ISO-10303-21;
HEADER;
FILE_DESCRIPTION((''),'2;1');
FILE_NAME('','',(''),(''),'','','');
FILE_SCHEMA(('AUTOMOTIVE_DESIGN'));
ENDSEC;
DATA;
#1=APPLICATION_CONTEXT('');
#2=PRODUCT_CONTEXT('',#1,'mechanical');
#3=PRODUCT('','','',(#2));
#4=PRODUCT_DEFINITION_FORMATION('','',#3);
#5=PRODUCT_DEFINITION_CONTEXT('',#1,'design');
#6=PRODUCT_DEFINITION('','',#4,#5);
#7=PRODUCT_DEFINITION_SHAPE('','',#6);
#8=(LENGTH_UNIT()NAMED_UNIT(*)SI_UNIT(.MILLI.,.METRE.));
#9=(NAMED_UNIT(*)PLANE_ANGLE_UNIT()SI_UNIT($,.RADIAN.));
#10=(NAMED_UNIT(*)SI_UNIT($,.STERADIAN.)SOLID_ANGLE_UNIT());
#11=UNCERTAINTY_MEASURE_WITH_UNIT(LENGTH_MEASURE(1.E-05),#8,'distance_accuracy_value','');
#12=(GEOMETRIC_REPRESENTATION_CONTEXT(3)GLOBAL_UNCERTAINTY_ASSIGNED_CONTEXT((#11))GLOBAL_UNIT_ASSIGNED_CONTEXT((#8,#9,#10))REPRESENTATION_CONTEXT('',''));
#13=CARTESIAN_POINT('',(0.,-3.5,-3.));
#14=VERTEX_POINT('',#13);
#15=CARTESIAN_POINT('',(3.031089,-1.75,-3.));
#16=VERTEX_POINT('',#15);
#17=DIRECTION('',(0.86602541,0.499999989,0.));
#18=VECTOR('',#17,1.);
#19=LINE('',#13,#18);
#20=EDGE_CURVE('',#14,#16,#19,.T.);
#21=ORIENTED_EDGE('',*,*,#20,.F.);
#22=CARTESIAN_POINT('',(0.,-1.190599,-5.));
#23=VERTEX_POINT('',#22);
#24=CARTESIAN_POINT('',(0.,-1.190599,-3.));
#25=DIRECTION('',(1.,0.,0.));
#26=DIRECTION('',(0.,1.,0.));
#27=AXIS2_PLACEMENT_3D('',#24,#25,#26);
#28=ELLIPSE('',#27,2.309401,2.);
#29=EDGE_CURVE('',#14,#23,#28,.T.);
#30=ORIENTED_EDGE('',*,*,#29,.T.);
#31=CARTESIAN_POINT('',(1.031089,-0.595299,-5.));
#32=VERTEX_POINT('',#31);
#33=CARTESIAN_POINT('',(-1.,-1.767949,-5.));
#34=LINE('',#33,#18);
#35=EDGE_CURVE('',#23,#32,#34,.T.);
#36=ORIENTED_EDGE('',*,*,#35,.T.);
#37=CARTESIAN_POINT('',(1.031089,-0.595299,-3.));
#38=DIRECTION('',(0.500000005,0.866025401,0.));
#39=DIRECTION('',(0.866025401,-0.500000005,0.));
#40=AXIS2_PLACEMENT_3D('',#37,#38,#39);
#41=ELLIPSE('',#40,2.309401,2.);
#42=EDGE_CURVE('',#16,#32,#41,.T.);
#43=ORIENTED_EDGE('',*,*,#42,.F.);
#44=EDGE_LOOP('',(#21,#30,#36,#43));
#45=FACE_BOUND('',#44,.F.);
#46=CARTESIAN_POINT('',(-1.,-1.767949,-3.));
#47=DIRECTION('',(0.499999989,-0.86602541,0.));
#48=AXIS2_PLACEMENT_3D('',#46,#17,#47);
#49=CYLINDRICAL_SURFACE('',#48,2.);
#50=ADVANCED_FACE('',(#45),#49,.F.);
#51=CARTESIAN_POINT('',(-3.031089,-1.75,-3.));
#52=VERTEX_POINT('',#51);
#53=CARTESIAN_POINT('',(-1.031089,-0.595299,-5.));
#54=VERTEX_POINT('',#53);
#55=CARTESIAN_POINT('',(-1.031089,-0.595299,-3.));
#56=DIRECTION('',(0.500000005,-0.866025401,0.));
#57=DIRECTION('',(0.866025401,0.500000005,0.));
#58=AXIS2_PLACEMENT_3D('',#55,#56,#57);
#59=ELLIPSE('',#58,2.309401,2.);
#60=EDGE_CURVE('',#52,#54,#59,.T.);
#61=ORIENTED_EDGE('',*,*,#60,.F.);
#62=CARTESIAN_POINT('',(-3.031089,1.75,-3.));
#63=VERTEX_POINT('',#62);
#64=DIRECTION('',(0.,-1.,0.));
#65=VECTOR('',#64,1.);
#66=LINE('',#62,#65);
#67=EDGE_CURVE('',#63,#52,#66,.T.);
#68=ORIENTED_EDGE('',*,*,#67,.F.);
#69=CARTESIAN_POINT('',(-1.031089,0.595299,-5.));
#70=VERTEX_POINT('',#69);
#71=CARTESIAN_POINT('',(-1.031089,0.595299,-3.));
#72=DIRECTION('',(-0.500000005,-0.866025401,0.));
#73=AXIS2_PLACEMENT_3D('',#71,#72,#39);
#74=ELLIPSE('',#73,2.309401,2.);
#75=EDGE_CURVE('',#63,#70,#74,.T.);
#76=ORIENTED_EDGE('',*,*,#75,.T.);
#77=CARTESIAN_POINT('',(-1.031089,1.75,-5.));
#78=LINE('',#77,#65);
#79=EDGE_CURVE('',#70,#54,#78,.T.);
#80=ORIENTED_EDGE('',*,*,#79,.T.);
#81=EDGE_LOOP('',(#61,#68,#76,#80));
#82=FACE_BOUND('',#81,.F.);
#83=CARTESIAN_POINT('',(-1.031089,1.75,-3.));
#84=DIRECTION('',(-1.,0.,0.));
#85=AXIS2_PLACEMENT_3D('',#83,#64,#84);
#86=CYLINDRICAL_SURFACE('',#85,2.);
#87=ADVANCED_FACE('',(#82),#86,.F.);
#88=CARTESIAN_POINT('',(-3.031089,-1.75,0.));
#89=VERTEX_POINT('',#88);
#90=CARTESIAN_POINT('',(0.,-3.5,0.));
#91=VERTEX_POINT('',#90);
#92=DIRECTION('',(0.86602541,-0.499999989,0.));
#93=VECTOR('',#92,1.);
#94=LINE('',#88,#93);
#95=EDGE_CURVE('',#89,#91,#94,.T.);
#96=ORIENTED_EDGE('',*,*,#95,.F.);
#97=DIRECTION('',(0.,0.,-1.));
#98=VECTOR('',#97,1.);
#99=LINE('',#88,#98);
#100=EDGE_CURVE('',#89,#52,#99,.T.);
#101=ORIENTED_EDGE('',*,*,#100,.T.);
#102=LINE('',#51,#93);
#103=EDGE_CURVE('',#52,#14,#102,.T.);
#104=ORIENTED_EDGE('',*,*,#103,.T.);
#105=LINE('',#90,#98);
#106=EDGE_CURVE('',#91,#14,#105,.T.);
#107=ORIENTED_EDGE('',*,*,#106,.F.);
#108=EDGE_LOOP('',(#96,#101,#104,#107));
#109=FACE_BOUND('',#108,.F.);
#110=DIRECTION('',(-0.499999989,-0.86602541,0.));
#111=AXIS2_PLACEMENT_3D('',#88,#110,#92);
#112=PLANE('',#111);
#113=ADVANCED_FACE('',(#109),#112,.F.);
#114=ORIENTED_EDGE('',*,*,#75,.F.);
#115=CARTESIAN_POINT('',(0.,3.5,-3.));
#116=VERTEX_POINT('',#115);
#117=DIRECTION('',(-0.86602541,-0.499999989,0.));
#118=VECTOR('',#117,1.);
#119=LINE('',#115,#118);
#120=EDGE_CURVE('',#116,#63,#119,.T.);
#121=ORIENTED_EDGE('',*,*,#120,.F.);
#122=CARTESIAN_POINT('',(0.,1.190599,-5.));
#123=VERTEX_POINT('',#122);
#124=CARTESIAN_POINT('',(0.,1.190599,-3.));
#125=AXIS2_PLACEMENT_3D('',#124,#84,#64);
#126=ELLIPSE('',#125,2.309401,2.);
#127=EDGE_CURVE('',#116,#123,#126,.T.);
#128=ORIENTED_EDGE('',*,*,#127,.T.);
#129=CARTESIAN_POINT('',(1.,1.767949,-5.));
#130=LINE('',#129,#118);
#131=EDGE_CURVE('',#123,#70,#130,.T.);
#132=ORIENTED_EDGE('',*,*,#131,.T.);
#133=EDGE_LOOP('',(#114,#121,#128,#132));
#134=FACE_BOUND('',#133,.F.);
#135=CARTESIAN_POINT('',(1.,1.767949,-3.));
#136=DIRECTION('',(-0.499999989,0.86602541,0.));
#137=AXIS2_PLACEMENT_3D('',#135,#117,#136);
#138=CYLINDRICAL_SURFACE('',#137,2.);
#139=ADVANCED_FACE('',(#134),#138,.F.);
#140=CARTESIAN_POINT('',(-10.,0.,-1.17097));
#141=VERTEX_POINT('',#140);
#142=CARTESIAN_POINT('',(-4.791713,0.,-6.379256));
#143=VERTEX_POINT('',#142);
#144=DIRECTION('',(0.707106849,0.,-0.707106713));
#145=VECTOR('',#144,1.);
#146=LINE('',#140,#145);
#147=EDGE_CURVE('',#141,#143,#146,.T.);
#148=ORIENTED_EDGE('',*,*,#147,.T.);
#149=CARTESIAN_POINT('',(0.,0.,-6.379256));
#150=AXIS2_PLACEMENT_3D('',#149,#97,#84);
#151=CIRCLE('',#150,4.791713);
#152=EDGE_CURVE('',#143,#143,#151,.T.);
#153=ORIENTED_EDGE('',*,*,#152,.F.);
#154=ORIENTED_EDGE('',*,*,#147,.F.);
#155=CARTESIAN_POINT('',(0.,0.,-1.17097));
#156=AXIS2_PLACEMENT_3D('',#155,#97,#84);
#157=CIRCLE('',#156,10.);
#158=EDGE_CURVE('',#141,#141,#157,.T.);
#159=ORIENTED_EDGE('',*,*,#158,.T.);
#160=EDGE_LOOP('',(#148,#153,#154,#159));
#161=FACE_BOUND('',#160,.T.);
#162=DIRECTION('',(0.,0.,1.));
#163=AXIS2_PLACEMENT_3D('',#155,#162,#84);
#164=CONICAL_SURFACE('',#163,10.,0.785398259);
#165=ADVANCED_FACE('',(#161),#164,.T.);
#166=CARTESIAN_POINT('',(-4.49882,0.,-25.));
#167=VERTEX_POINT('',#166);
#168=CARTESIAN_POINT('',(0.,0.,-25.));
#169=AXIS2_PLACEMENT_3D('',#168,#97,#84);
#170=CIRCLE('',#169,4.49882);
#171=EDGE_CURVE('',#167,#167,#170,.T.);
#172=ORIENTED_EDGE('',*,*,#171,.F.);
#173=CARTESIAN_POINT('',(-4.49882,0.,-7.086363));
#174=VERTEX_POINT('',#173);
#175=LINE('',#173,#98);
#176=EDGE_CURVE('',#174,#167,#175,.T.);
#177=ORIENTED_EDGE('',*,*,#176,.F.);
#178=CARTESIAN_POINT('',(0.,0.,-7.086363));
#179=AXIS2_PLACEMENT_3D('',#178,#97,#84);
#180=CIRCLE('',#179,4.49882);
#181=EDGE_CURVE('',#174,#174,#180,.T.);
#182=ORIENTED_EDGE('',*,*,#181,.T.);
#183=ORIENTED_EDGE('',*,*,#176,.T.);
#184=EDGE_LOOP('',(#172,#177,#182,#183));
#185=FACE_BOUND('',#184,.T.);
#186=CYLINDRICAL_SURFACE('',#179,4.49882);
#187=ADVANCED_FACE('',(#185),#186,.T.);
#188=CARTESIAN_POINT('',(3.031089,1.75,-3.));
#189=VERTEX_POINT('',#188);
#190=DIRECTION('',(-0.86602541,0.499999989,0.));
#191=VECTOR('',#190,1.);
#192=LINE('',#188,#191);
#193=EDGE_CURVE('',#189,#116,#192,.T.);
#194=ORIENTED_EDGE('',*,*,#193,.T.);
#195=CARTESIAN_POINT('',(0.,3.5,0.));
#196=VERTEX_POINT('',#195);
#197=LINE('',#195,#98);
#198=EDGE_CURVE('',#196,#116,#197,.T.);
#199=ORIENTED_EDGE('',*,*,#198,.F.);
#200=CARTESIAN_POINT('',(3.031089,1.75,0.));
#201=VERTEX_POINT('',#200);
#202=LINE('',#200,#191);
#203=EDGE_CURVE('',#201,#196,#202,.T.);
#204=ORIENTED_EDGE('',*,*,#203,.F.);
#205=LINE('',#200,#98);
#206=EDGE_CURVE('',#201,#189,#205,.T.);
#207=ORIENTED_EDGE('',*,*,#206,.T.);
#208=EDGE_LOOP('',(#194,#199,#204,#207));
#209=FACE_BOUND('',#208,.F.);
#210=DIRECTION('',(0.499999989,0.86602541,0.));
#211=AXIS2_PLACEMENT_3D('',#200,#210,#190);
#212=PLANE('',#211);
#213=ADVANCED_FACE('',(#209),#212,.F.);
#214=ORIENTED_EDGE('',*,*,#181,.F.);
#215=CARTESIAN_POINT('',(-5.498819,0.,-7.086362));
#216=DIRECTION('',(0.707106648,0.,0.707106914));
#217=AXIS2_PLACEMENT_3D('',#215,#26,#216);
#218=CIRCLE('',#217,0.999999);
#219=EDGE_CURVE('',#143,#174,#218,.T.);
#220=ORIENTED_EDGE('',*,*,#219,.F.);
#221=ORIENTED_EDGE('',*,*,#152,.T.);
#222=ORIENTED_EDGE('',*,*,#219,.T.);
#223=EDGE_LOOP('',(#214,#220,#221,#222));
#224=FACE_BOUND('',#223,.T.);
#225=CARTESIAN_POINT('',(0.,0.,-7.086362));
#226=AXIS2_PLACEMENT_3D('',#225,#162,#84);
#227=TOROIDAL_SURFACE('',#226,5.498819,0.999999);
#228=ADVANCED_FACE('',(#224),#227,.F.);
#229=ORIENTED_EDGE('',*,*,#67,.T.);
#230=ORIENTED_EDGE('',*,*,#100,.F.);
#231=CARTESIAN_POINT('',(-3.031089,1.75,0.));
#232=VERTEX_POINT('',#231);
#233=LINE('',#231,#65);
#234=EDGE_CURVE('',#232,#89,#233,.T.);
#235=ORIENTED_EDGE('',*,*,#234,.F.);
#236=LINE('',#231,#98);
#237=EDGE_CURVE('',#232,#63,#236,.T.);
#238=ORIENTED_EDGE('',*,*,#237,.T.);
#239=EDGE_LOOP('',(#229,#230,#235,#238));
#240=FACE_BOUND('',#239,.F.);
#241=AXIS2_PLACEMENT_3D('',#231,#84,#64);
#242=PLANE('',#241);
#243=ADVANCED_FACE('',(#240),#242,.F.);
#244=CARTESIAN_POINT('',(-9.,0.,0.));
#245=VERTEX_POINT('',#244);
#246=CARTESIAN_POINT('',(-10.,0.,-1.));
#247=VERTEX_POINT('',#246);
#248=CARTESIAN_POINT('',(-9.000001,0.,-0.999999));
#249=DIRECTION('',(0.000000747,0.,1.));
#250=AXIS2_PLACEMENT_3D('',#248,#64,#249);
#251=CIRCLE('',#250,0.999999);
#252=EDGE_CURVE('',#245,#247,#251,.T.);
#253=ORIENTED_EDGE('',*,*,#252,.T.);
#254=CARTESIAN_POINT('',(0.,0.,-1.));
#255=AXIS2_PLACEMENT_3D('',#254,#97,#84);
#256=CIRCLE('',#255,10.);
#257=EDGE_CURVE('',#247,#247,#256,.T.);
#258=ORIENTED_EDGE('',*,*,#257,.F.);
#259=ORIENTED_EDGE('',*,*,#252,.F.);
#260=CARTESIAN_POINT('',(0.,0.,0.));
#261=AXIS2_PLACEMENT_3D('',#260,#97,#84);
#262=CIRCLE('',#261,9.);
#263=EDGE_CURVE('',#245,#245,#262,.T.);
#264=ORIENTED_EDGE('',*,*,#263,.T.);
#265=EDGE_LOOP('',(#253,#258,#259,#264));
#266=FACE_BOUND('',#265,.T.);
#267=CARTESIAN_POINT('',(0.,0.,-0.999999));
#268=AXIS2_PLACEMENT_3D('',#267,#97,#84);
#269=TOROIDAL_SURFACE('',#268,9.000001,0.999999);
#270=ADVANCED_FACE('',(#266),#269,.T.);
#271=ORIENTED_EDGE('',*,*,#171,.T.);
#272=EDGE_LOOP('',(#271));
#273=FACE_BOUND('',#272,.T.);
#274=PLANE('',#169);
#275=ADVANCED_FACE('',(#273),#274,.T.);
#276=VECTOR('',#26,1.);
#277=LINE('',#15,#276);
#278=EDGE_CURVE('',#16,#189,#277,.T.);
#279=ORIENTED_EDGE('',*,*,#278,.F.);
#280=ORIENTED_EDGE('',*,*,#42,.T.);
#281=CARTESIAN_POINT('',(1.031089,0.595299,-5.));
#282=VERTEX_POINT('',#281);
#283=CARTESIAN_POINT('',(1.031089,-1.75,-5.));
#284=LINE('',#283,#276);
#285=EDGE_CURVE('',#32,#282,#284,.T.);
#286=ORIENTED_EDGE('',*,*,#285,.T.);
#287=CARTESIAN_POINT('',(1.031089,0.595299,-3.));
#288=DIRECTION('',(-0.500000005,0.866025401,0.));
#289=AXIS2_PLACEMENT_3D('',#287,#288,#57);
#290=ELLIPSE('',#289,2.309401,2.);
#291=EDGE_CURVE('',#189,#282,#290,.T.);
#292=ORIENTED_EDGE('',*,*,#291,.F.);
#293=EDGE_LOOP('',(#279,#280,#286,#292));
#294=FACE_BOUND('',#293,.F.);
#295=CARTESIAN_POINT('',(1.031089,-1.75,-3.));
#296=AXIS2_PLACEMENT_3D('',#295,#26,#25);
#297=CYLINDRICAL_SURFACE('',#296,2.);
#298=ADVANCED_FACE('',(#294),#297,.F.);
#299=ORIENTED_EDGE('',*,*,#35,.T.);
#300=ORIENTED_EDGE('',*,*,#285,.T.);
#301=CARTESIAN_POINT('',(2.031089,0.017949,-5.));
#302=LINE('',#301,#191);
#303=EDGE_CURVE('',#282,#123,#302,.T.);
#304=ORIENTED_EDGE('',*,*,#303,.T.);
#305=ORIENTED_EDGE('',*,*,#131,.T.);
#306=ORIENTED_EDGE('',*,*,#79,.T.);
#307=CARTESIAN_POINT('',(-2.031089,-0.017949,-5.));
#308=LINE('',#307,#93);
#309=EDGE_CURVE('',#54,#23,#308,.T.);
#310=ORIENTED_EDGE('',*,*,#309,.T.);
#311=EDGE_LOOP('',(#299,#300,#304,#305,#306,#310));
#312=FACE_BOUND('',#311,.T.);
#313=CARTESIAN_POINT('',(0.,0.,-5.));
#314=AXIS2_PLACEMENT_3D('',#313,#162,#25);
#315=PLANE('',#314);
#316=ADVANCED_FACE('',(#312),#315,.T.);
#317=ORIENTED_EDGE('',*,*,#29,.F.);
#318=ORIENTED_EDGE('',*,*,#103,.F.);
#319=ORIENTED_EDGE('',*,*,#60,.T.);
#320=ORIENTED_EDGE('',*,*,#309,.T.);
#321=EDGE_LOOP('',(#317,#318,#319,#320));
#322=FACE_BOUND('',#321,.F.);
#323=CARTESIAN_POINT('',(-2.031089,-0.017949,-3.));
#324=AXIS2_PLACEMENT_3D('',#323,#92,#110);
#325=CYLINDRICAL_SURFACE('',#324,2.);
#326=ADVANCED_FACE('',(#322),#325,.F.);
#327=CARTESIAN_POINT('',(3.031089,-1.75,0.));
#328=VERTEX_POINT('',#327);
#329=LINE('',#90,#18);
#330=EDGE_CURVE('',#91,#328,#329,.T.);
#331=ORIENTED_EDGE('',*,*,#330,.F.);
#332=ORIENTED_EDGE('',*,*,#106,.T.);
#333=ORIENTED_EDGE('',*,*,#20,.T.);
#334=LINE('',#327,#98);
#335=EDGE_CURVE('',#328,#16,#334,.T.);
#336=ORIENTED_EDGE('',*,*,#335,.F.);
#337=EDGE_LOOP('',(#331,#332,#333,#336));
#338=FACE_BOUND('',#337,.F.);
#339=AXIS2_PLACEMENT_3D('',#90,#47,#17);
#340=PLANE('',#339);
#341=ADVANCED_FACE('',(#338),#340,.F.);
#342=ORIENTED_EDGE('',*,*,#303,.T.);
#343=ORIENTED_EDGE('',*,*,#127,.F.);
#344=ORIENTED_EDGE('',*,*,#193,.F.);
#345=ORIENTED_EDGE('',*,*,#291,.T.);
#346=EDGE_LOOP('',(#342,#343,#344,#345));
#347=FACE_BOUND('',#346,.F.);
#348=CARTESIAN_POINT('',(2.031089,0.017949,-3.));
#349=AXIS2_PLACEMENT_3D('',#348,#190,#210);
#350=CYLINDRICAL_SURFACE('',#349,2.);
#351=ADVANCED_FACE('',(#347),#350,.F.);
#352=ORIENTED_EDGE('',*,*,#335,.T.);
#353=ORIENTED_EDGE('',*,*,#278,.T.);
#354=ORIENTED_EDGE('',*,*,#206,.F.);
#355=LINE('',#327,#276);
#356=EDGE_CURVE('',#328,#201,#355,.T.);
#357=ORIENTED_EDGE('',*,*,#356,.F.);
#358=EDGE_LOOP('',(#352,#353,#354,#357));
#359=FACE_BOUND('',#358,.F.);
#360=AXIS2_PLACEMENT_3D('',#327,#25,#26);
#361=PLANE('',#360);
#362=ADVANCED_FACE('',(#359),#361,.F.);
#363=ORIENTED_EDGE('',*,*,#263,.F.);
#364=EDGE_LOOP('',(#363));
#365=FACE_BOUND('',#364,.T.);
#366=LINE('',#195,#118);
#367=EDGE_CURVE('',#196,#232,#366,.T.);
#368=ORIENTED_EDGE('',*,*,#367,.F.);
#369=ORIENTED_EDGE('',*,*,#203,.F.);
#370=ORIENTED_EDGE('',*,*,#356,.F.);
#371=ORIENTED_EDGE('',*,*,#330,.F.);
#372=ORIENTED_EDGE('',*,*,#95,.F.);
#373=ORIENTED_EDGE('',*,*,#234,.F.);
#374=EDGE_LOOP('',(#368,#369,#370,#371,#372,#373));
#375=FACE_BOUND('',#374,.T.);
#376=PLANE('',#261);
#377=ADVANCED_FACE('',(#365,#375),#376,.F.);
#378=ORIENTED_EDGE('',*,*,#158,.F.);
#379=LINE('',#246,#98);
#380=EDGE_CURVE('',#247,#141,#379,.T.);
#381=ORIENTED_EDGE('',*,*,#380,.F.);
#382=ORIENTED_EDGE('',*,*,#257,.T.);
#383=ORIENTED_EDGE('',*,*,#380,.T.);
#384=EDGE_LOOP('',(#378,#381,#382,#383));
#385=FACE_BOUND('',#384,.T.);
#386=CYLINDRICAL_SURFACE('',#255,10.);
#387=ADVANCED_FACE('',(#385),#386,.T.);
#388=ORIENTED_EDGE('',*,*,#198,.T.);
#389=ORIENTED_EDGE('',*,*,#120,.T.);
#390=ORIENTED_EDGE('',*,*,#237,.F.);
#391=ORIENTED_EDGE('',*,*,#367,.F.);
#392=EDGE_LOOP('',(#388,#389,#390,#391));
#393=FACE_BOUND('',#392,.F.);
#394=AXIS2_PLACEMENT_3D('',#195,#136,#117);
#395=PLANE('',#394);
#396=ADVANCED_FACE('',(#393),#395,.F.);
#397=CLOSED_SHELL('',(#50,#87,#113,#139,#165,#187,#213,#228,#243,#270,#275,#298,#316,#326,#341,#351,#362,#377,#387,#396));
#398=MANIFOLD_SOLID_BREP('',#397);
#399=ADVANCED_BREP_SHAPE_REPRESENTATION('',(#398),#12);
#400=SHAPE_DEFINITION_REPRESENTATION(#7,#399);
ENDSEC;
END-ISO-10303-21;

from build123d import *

# Parameters (mm, degrees)
F3_DEPTH = 5
F4_R     = 2


with BuildPart() as f1:
    # F0 (on Front) → F1 (revolve)
    with BuildSketch(Plane.XZ):
        with BuildLine():
            Line((0, -25), (0, 0))
            Line((0, 0), (-9, 0))
            ThreePointArc((-9, 0), (-9.707107, -0.292893), (-10, -1))
            Line((-10, -1), (-10, -1.17097))
            Line((-10, -1.17097), (-4.791713, -6.379256))
            ThreePointArc((-4.791713, -6.379256), (-4.57494, -6.70368), (-4.49882, -7.086363))
            Line((-4.49882, -7.086363), (-4.49882, -25))
            Line((-4.49882, -25), (0, -25))
        make_face()
    revolve(axis=Axis((0, 0, -11.455107), (0, 0, -1)))

    # F2 (on face) → F3 (cut)
    with BuildSketch(Plane.XY):
        Polygon((-3.031089, -1.75), (0, -3.5), (3.031089, -1.75), (3.031089, 1.75), (0, 3.5), (-3.031089, 1.75), align=None)
    extrude(amount=-F3_DEPTH, mode=Mode.SUBTRACT)

    # F4
    f4_edges = [f1.edges().sort_by_distance(p)[0] for p in [
        (1.515544, -2.625, -5),
        (3.031089, 0, -5),
        (-1.515544, -2.625, -5),
        (-3.031089, 0, -5),
        (-1.515544, 2.625, -5),
        (1.515544, 2.625, -5),
    ]]
    fillet(f4_edges, radius=F4_R)


solid = f1.part
